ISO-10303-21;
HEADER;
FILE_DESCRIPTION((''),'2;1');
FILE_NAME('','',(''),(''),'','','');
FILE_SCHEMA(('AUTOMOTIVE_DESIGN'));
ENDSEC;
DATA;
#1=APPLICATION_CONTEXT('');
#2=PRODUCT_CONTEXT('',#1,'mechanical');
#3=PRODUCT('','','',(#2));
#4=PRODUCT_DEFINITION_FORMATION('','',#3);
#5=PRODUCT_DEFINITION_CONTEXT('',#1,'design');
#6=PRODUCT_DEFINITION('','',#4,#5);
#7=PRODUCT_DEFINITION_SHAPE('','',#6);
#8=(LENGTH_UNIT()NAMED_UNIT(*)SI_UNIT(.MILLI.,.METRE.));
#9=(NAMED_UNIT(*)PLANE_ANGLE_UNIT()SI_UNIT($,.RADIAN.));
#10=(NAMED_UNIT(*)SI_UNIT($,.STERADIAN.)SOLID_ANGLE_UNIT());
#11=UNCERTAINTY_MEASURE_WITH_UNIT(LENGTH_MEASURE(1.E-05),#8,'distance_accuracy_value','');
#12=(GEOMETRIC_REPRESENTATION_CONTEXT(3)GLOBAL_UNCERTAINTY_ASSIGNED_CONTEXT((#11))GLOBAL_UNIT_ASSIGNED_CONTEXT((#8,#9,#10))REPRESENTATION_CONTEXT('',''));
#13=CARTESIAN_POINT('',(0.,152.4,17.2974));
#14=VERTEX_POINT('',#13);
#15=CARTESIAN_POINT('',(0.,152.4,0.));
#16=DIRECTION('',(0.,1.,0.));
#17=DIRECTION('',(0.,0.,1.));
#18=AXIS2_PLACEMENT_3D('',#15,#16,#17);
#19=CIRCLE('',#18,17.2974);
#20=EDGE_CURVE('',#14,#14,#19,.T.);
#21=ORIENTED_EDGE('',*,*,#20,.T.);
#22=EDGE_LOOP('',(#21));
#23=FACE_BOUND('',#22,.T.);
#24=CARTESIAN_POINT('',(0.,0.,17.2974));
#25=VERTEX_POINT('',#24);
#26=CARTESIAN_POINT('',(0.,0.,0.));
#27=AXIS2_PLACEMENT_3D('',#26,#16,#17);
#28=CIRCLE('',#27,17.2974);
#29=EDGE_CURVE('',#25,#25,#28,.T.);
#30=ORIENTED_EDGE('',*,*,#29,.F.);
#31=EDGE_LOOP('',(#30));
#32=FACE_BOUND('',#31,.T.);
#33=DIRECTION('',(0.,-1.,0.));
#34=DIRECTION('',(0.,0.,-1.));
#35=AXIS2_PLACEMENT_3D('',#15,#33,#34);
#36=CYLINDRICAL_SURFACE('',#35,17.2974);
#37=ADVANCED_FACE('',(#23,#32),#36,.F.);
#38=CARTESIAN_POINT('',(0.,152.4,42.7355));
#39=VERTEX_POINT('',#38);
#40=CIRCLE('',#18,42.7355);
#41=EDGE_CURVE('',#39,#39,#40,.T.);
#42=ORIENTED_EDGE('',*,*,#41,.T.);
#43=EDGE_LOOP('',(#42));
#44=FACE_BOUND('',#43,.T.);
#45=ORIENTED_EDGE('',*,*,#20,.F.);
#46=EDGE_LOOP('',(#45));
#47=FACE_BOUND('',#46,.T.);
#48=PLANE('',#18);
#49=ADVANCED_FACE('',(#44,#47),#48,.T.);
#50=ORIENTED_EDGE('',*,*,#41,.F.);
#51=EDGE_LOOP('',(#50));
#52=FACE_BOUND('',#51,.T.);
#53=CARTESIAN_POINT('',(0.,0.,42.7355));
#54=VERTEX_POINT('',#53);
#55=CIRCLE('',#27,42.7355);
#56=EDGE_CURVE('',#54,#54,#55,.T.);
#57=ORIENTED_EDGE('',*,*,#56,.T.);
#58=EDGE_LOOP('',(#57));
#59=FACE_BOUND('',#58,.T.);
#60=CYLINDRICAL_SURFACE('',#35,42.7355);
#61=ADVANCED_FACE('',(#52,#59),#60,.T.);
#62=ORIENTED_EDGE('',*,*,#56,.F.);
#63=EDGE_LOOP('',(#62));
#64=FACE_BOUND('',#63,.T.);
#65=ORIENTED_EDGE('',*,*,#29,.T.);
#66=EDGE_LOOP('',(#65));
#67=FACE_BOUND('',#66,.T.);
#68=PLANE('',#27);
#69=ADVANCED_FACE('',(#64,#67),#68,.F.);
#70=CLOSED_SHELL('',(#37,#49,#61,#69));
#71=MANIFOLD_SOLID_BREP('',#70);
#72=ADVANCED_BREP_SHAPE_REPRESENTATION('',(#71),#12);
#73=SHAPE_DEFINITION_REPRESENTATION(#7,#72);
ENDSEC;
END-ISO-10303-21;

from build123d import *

# Parameters (mm, degrees)
SKETCH2_R      = 42.7355
SKETCH2_R_2    = 17.2974
EXTRUDE1_DEPTH = 152.4


with BuildPart() as part:
    # Sketch2 → Extrude1 (new body)
    with BuildSketch(Plane(origin=(0, 0, 0), x_dir=(1, 0, 0), z_dir=(0, 1, 0))):
        Circle(SKETCH2_R)
        Circle(SKETCH2_R_2, mode=Mode.SUBTRACT)
    extrude(amount=EXTRUDE1_DEPTH)


solid = part.part
